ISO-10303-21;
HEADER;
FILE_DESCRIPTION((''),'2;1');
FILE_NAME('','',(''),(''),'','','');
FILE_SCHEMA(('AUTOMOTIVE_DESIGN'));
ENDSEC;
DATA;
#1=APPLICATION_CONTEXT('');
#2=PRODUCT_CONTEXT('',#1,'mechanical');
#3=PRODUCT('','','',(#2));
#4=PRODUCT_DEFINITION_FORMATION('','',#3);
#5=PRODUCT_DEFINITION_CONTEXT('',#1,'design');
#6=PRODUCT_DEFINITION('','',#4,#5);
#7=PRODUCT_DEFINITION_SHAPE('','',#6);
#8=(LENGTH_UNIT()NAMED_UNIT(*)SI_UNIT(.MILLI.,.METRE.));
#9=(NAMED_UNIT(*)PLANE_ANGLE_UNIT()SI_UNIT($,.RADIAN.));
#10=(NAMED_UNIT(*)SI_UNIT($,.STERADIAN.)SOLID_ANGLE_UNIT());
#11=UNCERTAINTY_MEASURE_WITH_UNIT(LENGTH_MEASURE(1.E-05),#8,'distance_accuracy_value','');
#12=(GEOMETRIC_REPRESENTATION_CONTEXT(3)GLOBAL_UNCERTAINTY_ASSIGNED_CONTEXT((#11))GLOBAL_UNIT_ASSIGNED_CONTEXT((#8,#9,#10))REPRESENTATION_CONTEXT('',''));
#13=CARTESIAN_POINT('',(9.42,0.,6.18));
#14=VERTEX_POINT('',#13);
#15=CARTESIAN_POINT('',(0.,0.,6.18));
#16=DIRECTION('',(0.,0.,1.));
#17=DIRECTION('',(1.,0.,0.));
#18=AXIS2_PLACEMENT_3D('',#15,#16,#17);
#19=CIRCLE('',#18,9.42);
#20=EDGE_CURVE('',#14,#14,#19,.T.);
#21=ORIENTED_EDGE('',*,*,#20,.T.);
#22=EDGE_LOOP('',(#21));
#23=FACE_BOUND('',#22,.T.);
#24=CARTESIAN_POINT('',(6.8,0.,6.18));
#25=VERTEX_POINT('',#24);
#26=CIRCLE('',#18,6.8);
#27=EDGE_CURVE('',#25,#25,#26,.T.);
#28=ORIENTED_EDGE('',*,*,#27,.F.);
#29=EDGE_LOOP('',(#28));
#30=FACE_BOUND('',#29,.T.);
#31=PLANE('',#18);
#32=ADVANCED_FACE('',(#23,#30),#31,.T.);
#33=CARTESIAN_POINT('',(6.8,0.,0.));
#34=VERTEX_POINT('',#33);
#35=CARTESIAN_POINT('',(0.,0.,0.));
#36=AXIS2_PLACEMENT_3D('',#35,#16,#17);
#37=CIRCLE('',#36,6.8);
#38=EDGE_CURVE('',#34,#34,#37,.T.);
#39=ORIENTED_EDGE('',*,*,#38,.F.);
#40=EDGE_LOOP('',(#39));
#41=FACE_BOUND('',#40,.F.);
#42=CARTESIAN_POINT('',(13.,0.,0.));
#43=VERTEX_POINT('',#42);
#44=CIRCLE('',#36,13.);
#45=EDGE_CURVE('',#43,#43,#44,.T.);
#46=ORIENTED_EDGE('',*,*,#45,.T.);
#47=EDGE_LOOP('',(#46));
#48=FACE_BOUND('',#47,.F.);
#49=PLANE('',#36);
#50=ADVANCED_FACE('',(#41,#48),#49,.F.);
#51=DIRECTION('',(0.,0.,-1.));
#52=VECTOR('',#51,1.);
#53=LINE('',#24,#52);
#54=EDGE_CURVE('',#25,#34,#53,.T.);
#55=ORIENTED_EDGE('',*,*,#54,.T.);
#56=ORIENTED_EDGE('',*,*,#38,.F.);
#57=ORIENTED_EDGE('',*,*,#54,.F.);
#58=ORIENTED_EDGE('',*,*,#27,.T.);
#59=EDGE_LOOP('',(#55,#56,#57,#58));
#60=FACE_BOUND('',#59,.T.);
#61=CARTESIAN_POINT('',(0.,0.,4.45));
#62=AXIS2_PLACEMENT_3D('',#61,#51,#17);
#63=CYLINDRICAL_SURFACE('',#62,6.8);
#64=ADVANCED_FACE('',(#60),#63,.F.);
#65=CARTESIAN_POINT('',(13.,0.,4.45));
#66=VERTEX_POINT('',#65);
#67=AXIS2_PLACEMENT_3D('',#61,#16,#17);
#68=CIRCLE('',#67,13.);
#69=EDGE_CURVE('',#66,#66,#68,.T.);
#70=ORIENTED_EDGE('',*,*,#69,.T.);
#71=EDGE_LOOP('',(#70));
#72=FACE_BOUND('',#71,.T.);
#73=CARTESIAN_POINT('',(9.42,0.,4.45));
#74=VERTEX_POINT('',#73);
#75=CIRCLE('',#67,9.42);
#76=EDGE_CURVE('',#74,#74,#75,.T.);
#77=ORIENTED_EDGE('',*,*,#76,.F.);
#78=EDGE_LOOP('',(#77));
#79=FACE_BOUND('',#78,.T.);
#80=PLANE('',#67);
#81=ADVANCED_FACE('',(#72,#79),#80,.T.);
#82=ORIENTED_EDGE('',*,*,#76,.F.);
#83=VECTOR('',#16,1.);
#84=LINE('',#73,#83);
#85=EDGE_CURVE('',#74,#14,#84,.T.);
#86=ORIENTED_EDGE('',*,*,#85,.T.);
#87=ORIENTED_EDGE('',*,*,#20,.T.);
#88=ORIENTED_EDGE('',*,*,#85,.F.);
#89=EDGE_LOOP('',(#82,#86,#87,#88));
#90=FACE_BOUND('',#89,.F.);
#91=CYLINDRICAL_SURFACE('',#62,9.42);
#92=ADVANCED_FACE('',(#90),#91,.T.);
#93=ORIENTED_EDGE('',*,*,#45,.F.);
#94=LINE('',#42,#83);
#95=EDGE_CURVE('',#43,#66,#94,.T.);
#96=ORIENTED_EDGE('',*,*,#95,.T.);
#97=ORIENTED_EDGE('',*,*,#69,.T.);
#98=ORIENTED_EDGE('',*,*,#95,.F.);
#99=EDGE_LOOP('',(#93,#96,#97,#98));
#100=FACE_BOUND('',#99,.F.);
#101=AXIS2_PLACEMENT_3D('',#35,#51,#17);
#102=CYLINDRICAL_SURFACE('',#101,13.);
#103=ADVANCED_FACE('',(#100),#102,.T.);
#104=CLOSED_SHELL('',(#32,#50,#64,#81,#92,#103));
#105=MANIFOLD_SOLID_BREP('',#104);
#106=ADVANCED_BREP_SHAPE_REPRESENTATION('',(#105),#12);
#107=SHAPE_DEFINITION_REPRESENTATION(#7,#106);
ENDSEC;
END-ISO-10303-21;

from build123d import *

# Parameters (mm, degrees)
SKETCH_R      = 13
SKETCH_R_2    = 6.8
PAD_DEPTH     = 4.45
SKETCH001_R   = 9.42
SKETCH001_R_2 = 6.8
PAD001_DEPTH  = 1.73


with BuildPart() as part:
    # Sketch → Pad (new body)
    with BuildSketch(Plane.XY):
        Circle(SKETCH_R)
        Circle(SKETCH_R_2, mode=Mode.SUBTRACT)
    extrude(amount=PAD_DEPTH)

    # Sketch001 (on Face4 of Pad) → Pad001 (join)
    with BuildSketch(Plane.XY.offset(4.45)):
        Circle(SKETCH001_R)
        Circle(SKETCH001_R_2, mode=Mode.SUBTRACT)
    extrude(amount=PAD001_DEPTH)


solid = part.part
